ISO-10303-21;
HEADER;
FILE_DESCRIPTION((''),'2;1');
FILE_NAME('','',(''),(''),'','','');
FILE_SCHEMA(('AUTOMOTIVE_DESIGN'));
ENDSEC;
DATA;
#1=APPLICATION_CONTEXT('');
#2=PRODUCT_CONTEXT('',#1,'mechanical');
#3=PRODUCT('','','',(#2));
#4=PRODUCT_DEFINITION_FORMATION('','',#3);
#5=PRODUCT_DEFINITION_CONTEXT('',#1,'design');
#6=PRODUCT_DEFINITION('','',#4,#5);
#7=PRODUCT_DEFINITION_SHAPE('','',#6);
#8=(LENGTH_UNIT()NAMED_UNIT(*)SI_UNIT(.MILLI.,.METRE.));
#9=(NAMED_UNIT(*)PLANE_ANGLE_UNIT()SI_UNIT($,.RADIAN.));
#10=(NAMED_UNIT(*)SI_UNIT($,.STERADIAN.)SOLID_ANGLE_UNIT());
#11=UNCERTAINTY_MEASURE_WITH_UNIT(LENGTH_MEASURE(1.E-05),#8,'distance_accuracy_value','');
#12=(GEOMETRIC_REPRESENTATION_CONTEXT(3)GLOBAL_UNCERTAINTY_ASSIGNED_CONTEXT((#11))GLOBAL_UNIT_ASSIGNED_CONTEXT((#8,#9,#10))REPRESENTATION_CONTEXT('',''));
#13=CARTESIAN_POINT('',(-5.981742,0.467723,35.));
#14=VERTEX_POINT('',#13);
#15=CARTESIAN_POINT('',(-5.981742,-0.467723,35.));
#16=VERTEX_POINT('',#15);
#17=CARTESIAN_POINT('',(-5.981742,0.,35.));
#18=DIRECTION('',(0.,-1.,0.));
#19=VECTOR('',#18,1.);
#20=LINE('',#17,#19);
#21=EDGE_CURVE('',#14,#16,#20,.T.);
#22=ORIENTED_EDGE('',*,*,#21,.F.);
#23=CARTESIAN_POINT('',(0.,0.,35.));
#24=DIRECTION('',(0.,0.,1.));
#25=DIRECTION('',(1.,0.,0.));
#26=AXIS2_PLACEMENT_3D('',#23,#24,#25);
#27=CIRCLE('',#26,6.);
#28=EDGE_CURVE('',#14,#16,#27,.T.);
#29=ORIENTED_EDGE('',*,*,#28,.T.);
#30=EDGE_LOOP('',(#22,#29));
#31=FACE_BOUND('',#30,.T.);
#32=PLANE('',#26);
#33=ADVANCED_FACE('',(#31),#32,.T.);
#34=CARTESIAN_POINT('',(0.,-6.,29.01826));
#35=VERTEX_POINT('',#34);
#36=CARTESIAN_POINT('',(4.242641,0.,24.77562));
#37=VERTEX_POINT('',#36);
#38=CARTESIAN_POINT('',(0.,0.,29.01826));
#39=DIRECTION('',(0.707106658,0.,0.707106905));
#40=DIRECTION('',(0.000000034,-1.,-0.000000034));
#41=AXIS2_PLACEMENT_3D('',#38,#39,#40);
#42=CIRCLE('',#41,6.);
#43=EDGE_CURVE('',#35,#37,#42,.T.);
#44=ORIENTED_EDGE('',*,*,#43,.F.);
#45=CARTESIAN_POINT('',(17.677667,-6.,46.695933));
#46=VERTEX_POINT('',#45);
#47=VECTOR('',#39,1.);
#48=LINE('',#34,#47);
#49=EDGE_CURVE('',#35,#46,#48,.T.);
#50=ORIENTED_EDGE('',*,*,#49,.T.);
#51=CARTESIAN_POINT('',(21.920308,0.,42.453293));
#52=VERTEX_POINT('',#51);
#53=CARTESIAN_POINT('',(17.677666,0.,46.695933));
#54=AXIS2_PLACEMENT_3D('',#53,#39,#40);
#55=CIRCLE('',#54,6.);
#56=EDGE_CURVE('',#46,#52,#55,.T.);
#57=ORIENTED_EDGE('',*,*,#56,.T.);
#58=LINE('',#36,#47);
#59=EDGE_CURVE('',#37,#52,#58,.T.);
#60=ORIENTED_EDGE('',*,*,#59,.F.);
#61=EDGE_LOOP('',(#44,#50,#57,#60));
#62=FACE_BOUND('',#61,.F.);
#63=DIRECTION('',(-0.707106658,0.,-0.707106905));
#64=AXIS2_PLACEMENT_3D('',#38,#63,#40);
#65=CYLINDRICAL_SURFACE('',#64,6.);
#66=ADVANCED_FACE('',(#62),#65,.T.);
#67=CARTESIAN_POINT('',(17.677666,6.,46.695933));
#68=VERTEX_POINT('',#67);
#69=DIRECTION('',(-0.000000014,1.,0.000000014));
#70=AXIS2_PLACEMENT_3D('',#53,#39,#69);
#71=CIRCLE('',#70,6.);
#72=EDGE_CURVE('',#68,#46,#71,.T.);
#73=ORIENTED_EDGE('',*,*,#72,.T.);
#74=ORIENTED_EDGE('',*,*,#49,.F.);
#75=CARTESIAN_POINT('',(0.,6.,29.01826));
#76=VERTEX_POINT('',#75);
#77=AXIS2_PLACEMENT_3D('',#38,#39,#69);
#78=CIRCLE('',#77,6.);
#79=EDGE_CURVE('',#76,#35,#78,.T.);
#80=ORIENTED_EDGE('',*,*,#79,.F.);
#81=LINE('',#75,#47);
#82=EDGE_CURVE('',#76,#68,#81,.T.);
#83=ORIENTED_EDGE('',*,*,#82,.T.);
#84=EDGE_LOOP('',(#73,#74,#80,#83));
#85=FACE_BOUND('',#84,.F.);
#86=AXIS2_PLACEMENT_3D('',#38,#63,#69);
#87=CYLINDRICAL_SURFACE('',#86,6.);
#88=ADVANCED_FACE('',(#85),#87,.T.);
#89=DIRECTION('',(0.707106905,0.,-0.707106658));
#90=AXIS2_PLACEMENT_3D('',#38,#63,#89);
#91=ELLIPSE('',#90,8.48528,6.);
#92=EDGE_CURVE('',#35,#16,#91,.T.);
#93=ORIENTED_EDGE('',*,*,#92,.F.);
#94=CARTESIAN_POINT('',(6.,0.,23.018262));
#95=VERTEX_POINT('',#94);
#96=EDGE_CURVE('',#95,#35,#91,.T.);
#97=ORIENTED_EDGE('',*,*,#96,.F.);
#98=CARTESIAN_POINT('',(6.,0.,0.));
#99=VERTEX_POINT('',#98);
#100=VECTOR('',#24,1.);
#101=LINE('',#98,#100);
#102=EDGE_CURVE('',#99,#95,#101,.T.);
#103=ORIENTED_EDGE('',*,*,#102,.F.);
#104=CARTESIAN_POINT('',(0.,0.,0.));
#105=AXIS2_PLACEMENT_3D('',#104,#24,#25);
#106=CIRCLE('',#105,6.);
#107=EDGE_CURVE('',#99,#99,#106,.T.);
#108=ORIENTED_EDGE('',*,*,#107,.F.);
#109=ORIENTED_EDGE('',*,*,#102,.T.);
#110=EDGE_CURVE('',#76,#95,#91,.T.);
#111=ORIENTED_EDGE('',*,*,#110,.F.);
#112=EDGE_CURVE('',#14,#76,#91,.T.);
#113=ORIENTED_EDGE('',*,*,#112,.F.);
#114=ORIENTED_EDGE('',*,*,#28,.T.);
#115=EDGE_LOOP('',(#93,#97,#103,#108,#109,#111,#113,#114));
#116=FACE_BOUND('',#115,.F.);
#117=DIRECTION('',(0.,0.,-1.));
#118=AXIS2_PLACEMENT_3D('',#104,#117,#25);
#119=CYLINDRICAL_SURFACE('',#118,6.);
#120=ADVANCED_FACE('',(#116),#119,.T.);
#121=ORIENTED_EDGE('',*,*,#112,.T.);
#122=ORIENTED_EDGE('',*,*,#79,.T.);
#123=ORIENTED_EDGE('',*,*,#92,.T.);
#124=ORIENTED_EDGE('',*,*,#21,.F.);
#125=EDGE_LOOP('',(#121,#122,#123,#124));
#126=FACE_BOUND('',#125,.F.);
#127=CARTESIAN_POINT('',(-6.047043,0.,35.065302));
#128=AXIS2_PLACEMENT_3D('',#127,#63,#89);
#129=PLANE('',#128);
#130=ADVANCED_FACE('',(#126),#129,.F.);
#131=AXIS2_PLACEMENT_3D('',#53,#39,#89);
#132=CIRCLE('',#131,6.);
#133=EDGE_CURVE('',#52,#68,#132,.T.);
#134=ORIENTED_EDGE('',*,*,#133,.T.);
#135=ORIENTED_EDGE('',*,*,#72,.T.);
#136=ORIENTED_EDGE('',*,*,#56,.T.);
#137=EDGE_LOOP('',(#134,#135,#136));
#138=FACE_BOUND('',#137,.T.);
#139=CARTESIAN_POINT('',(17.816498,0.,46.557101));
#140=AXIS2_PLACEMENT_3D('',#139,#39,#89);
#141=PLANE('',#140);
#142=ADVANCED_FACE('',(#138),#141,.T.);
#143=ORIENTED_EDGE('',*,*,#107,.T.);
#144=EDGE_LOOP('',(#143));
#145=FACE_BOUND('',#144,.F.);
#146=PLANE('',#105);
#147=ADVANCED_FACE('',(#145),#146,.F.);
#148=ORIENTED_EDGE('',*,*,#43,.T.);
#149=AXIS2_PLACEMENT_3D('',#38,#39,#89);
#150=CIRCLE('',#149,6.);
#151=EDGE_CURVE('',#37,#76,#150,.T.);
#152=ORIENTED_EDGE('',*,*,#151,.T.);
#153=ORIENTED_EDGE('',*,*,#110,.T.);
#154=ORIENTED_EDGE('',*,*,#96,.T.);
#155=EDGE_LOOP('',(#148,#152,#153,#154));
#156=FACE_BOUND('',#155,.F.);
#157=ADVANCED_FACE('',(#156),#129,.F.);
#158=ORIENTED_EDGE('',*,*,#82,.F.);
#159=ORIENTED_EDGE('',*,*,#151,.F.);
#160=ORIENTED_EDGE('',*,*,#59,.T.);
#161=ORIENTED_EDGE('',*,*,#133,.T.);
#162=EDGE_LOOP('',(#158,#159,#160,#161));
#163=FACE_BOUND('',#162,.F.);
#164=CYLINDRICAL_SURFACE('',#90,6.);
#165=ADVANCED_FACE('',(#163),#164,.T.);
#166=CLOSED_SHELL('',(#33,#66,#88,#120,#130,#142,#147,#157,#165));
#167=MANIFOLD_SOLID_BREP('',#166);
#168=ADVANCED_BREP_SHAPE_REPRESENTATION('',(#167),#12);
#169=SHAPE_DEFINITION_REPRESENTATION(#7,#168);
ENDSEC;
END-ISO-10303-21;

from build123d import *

# Parameters (mm, degrees)
F0_R     = 6
F1_DEPTH = 35
F3_DEPTH = 12.5
F5_DEPTH = 25


with BuildPart() as f1:
    # F0 (on Top) → F1 (new body)
    with BuildSketch(Plane.XY):
        Circle(F0_R)
    extrude(amount=F1_DEPTH)

    # F2 (on Front) → F3 (cut, symmetric)
    with BuildSketch(Plane.XZ):
        Polygon((6.1246007681, 35.0653016331), (-6.0470434837, 35.0653016331), (6.1246007681, 22.8936616331), align=None)
    extrude(amount=F3_DEPTH, both=True, mode=Mode.SUBTRACT)

    # F4 (on face) → F5 (join)
    with BuildSketch(Plane(origin=(14.5091301309, 0, 14.5091351992), x_dir=(0.7071069047, 0, -0.7071066577), z_dir=(0.7071066577, 0, 0.7071069047))):
        with BuildLine():
            ThreePointArc((-20.519004735, -6), (-16.2763642357, -4.2426405844), (-14.5190050255, 0))
            ThreePointArc((-14.5190050255, 0), (-16.2763643803, 4.242640729), (-20.519005144, 6))
            ThreePointArc((-20.519005144, 6), (-26.5190050255, -2.045e-07), (-20.519004735, -6))
        make_face()
    extrude(amount=F5_DEPTH)


solid = f1.part
